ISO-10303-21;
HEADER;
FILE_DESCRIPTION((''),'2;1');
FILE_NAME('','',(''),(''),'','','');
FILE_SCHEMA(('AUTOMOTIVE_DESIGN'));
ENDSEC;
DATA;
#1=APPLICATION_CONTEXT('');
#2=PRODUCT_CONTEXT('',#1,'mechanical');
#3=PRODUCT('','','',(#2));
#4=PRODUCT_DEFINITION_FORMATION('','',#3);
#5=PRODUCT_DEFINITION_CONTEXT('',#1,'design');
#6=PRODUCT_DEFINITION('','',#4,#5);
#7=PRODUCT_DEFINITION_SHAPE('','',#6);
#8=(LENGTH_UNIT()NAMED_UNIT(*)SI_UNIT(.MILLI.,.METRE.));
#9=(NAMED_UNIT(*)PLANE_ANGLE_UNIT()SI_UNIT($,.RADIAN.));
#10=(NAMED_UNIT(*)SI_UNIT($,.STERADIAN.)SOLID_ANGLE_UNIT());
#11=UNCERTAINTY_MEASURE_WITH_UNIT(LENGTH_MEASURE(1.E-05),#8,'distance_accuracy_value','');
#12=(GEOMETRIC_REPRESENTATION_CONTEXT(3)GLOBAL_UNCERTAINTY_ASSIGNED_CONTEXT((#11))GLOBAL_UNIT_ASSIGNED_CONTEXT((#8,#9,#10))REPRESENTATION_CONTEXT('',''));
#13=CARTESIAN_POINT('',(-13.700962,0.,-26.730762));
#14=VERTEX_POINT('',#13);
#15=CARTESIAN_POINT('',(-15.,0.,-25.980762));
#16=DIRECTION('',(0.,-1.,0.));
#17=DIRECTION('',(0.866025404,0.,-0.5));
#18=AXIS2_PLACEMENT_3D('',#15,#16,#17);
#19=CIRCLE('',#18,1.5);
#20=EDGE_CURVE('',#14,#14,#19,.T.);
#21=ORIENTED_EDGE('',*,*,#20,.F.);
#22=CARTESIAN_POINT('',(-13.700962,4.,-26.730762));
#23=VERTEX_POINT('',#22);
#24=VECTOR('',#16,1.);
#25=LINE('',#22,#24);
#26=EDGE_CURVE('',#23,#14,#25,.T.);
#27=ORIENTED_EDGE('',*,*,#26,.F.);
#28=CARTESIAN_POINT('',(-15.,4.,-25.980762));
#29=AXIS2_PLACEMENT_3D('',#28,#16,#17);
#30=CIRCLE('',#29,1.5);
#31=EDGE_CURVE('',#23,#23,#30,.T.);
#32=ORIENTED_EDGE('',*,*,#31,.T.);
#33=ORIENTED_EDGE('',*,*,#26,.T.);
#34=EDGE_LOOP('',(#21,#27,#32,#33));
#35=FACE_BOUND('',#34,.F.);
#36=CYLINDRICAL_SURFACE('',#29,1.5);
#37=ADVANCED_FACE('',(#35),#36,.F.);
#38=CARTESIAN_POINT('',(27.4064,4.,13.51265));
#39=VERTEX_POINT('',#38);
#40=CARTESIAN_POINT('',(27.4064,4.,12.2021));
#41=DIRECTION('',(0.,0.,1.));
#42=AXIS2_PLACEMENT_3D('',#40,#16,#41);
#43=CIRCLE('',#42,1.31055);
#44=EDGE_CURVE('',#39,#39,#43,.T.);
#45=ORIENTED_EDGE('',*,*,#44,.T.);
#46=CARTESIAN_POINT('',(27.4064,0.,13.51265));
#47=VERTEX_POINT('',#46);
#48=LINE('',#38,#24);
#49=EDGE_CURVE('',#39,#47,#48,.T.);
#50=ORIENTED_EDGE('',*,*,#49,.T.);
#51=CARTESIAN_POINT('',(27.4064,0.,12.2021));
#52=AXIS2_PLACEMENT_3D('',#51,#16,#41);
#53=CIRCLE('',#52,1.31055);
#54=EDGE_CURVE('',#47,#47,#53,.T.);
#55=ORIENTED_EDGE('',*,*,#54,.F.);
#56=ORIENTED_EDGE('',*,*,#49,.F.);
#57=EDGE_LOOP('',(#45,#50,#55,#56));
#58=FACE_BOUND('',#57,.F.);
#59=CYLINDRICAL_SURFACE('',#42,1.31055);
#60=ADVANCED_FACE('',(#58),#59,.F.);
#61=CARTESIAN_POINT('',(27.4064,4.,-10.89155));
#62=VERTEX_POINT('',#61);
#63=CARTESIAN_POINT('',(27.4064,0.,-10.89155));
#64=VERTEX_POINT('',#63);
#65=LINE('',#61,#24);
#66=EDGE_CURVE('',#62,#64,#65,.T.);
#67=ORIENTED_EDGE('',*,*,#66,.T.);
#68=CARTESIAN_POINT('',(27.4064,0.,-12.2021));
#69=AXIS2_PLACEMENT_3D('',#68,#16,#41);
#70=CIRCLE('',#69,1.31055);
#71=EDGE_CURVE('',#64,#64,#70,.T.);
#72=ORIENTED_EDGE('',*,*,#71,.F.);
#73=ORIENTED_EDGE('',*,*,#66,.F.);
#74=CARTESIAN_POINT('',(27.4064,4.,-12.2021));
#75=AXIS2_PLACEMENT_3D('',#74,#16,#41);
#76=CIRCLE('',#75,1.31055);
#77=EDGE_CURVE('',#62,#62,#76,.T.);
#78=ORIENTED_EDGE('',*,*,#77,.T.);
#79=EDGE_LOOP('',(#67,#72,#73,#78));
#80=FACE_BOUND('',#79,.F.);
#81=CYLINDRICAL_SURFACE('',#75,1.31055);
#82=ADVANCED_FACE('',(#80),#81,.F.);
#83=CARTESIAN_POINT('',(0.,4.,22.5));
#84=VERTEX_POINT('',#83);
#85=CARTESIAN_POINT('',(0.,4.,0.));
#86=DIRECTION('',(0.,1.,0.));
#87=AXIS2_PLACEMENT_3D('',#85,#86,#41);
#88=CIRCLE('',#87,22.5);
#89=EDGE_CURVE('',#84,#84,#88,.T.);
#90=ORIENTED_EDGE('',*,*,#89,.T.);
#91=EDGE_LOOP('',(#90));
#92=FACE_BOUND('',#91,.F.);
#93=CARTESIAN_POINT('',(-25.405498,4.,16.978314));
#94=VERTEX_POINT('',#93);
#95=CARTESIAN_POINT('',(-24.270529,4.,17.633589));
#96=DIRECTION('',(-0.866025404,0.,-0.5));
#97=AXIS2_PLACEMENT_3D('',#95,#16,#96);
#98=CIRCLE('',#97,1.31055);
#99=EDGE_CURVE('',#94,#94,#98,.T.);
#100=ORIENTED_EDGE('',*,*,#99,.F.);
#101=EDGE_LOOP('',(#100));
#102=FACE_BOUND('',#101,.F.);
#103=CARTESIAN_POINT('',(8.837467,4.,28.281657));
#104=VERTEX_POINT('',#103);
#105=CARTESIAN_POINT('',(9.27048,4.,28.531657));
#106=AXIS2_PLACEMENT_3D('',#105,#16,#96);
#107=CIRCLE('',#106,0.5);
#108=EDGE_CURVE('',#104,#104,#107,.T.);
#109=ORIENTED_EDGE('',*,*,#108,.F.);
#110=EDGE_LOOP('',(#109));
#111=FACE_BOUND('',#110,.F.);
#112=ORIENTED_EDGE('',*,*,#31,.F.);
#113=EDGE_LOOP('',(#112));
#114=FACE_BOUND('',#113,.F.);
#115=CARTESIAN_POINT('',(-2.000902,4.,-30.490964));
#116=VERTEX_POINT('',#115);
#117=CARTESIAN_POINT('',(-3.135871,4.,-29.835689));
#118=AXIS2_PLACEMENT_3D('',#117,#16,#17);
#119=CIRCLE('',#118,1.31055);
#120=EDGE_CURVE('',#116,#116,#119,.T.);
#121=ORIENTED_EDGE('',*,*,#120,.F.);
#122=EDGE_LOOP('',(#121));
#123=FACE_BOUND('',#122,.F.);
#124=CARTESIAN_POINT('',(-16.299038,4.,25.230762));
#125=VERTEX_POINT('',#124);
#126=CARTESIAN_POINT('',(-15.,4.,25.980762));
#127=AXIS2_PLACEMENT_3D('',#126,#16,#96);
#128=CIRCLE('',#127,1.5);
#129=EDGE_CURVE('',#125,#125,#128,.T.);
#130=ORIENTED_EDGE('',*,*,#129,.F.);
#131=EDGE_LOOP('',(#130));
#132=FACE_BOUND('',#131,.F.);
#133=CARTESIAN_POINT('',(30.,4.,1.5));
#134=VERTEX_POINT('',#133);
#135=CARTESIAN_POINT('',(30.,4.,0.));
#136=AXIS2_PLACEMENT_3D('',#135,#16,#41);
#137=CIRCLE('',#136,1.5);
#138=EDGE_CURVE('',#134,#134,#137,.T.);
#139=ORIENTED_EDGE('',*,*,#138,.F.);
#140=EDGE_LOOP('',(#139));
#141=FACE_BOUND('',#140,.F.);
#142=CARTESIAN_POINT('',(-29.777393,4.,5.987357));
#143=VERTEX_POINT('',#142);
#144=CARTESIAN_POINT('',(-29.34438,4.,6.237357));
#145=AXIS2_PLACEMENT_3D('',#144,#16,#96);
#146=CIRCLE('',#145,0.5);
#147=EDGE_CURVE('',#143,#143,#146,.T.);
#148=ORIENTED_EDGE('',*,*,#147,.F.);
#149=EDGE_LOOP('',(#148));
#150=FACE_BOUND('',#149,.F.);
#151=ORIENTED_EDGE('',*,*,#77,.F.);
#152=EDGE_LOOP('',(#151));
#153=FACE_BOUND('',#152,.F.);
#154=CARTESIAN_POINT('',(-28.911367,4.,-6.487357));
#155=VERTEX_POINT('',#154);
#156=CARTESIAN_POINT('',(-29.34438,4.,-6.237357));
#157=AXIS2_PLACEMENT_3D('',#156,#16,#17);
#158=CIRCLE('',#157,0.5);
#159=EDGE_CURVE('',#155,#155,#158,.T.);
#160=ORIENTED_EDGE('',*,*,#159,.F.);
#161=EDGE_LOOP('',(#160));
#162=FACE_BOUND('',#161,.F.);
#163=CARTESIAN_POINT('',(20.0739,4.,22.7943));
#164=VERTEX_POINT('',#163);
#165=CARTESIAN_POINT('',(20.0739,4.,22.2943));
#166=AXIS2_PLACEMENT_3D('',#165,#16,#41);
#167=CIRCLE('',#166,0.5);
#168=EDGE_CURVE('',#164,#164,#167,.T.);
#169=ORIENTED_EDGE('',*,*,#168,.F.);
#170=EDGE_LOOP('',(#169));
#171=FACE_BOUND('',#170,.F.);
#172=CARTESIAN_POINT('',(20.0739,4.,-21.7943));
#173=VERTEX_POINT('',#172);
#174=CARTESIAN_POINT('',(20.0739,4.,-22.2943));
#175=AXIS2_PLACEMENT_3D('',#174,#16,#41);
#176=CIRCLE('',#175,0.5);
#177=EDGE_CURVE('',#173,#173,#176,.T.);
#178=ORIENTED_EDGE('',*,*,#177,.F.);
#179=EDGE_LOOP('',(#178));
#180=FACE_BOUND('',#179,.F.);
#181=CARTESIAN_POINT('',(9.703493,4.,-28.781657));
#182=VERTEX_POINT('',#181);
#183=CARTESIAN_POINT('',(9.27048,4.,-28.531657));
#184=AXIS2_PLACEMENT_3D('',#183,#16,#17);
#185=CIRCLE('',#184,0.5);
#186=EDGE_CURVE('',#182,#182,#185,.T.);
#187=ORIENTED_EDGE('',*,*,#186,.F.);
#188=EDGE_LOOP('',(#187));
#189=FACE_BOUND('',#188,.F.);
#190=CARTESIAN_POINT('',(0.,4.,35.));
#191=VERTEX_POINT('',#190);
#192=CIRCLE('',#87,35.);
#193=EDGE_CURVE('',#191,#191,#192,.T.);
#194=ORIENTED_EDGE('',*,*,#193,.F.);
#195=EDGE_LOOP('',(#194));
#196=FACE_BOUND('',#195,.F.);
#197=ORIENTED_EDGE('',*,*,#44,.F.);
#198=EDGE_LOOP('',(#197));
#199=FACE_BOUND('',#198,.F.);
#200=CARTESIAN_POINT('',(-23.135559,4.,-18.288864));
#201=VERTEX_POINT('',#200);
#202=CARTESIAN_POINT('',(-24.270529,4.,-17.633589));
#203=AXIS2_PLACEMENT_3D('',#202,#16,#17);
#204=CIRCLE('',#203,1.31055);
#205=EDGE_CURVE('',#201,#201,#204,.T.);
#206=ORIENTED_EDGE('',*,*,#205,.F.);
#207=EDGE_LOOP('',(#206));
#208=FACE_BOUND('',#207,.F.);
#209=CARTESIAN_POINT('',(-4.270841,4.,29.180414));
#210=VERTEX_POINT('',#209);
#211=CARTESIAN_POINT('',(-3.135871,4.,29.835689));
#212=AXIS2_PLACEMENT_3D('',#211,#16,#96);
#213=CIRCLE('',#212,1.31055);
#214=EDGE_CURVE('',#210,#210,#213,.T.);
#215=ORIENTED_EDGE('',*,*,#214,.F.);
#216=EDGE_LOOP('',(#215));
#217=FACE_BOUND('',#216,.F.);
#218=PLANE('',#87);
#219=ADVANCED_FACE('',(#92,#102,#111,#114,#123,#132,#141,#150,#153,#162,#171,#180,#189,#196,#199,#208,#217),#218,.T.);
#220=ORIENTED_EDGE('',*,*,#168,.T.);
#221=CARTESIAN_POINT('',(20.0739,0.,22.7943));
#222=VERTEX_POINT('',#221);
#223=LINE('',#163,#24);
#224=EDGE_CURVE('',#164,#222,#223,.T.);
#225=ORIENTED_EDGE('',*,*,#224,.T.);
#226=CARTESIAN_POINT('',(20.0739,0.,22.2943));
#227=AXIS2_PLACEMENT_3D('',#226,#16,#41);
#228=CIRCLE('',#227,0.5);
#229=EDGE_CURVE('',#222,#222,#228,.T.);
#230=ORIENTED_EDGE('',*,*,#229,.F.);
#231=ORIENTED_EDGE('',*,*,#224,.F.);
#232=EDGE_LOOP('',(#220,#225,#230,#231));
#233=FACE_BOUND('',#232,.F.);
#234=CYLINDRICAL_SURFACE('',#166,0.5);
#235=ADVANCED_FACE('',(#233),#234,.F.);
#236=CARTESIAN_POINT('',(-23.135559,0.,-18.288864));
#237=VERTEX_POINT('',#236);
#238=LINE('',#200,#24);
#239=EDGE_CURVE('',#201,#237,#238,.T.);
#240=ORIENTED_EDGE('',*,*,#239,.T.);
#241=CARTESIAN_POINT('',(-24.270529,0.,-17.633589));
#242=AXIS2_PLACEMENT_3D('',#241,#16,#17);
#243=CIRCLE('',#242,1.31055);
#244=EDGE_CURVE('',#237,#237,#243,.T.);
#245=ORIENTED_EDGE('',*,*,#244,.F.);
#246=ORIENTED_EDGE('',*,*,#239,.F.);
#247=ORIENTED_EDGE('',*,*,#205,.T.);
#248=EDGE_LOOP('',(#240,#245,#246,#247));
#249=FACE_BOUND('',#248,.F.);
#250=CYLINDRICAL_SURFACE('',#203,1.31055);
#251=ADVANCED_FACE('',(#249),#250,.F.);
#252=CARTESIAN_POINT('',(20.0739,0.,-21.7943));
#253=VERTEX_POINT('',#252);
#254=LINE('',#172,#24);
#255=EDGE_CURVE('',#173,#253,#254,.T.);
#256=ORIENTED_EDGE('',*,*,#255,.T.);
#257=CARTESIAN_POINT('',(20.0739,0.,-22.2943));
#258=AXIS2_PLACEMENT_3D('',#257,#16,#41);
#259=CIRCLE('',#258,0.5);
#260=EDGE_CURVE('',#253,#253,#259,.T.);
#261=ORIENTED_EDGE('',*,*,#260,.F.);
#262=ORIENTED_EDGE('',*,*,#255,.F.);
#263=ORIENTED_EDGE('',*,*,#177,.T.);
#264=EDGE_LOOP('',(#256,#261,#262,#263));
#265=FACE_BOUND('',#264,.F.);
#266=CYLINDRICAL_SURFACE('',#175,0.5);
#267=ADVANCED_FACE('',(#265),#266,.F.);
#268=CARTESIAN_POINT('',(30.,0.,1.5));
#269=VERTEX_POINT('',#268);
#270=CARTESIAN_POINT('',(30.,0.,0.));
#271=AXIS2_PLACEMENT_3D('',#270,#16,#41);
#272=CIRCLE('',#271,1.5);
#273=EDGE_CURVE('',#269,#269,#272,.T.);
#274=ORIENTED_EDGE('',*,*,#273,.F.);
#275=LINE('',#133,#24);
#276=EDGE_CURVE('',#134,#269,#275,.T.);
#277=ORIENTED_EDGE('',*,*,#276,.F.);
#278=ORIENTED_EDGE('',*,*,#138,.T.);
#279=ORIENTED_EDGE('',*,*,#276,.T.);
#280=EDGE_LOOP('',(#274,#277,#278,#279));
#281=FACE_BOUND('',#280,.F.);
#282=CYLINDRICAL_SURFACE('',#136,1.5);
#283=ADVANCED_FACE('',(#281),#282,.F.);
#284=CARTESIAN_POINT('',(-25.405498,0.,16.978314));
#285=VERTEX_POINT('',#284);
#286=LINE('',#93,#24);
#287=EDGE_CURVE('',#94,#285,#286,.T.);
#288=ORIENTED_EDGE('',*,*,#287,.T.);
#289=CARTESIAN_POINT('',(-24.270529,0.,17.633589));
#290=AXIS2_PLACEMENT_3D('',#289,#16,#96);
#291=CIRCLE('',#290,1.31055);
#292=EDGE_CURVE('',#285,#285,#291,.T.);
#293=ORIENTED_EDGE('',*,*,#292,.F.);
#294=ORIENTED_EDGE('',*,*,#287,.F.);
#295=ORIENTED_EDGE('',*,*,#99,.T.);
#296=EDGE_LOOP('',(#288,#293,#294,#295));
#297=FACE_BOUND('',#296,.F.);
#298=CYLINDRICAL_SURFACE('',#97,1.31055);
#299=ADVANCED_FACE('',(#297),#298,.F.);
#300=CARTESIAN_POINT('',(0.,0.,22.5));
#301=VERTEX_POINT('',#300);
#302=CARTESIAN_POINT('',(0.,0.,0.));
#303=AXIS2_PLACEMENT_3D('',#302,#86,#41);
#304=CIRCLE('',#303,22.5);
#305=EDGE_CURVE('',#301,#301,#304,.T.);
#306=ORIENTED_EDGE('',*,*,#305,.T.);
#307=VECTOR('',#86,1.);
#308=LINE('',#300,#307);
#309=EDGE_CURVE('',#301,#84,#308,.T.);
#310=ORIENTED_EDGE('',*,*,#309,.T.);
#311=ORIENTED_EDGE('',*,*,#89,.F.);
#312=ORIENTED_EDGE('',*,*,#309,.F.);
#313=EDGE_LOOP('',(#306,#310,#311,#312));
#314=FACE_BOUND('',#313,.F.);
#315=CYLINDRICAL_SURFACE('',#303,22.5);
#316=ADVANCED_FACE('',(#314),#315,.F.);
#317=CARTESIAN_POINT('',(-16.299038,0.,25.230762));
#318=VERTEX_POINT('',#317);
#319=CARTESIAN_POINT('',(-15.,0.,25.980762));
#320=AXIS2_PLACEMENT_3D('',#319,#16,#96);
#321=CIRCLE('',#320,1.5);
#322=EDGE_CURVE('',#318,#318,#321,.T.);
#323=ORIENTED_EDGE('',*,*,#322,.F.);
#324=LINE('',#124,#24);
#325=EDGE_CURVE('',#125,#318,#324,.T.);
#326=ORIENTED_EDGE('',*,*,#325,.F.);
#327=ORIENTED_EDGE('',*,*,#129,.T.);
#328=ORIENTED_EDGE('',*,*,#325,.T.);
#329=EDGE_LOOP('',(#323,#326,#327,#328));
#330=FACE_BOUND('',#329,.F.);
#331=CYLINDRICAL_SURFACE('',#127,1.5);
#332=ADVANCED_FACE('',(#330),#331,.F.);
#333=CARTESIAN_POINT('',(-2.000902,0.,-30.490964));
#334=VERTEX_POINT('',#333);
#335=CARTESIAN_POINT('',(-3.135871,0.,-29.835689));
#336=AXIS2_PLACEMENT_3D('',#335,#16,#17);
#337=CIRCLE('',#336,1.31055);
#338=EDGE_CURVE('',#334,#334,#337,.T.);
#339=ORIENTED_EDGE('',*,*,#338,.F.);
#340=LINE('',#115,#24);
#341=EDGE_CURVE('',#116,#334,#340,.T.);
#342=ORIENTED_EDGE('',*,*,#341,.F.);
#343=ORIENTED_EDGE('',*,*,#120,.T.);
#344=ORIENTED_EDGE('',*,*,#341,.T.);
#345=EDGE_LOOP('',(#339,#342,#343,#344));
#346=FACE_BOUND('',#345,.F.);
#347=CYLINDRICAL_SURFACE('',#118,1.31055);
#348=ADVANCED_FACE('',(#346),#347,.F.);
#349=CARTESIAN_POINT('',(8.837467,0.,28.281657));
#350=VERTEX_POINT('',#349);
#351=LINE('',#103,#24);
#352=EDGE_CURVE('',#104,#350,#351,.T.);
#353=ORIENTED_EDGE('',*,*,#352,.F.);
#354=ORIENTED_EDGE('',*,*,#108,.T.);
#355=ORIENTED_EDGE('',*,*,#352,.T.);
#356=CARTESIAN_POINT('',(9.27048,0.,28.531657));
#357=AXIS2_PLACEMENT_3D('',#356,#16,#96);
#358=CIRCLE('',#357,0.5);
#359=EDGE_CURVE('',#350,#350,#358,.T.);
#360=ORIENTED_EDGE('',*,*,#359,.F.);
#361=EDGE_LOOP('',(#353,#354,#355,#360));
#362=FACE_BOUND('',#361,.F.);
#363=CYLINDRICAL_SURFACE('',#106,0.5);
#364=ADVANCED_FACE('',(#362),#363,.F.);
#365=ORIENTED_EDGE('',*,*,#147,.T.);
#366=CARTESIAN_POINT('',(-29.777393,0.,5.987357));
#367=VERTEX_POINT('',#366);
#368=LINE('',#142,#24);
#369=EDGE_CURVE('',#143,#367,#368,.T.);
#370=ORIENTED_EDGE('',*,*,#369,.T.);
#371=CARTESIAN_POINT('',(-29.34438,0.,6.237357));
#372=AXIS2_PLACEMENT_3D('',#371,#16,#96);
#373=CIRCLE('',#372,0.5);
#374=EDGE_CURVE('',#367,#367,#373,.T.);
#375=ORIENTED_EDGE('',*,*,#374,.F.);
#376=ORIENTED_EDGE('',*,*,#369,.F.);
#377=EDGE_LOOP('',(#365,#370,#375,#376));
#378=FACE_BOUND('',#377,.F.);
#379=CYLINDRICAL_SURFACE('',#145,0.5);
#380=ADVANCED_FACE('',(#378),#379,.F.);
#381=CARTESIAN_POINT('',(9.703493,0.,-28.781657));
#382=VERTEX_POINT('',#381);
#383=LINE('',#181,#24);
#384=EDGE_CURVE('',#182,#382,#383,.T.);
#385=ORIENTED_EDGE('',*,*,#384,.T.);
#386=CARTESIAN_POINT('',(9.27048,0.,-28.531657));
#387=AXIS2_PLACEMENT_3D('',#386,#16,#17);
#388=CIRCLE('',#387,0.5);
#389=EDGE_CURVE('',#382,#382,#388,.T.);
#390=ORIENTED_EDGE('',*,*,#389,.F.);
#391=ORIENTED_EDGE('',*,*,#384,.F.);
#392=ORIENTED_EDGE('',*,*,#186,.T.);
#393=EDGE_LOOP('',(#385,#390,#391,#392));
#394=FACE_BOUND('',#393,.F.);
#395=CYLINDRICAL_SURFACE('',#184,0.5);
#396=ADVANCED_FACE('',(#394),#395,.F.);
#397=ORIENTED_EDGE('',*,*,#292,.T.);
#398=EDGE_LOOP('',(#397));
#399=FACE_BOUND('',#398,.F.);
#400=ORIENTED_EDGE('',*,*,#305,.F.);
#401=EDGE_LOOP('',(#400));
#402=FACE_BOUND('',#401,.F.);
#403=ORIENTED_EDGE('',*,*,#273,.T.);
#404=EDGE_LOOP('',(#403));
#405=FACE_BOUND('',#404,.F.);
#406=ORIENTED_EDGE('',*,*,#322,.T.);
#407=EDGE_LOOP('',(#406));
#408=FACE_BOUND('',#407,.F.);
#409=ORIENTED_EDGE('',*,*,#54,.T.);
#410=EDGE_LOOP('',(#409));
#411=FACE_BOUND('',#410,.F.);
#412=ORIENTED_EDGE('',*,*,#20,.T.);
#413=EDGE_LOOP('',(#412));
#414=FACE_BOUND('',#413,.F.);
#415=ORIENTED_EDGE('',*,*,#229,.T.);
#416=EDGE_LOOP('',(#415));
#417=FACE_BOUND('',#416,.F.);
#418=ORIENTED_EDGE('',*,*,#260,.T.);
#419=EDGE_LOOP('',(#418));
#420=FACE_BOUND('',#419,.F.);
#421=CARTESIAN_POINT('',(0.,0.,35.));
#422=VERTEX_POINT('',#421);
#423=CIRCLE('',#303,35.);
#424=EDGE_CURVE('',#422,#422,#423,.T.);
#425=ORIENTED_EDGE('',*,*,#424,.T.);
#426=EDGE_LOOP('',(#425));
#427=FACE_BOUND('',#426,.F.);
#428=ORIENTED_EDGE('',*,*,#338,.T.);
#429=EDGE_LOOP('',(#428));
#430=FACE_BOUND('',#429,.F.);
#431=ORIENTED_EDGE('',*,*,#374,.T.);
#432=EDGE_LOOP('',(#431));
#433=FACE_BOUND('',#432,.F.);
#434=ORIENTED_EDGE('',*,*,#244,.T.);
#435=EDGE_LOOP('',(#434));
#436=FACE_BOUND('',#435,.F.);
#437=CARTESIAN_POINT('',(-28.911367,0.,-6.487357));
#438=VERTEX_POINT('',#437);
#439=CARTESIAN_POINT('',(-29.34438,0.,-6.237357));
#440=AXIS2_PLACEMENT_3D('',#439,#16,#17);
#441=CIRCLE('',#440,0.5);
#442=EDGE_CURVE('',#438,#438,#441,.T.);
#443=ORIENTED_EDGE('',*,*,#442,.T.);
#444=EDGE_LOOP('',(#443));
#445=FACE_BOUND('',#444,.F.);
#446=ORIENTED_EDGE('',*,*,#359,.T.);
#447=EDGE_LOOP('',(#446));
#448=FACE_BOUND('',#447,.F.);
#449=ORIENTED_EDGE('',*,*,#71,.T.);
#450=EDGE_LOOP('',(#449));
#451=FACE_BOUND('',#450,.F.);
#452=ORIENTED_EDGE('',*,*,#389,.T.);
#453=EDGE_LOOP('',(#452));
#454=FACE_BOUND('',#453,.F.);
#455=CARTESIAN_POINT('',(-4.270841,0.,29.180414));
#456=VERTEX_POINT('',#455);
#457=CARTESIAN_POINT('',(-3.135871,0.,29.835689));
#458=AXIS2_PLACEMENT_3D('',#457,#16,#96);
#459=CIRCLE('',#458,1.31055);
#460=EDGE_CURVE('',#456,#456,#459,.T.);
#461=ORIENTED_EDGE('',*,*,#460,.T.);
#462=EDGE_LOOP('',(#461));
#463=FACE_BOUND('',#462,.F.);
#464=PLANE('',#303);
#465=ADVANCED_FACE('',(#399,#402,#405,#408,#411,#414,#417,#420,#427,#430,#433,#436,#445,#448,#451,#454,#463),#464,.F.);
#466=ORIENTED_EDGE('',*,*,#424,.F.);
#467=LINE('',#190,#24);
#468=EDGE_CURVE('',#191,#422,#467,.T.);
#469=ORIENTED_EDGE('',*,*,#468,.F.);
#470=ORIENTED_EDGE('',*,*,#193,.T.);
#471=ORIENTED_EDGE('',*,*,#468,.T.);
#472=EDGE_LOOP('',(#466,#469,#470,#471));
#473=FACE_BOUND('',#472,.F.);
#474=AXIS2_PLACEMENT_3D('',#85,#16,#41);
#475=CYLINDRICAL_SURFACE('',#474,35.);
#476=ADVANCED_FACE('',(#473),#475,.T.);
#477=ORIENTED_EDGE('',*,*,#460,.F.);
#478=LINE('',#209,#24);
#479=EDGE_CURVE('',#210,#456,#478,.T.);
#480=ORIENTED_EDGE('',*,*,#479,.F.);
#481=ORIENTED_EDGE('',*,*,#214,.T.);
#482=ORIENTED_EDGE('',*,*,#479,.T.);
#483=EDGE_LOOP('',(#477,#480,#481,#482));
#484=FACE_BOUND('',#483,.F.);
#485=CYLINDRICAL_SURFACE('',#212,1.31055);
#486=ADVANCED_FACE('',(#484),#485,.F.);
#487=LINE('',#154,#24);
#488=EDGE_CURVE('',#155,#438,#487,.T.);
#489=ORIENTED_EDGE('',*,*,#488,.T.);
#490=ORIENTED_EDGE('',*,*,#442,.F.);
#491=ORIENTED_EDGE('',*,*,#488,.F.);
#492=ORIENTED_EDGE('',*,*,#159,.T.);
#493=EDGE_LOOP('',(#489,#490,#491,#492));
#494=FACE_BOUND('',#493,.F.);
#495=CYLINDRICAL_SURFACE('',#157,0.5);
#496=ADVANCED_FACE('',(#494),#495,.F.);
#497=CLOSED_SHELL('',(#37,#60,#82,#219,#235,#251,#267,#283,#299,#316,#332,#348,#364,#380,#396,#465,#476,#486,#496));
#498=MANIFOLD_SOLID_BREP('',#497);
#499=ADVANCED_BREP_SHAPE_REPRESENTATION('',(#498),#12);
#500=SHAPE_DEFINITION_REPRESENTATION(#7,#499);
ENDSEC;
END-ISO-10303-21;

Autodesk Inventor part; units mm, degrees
ref_plane "YZ Plane" through (0, 0, 0) normal (1, 0, 0) x (0, 1, 0)
ref_plane "XZ Plane" through (0, 0, 0) normal (0, 1, 0) x (-1, 0, 0)
ref_plane "XY Plane" through (0, 0, 0) normal (0, 0, 1) x (1, 0, 0)
sketch "Sketch1" plane through (0, 0, 0) normal (1, 0, 0) x (0, 1, 0)
  line L0 (0, 22.5) -> (4, 22.5)
  line L1 (4, 22.5) -> (4, 35)
  line L2 (4, 35) -> (0, 35)
  line L3 (0, 35) -> (0, 22.5)
  line L4 (-0.8, 0) -> (4.8, 0) projected
  point P0 (0, 0)
  dimension "d0" = 22.5
  dimension "d1" = 35
  dimension "d2" = 4
revolve "Revolution1" add sketch "Sketch1" angle 360 about axis through (0, -10, 0) along (0, 1, 0)
sketch "Sketch2" plane through (0, 4, 0) normal (0, 1, 0) x (1, 0, 0)
  point P0 (0, 0)
  point P1 (30, 0)
  dimension "d5" = 30
hole "Hole1" at (30, 4, 0) direction (0, -1, 0) diameter 3 end through all
pattern_circular "Circular Pattern1" count 3 over 360 about axis through (0, 2, 0) along (0, 1, 0) of "Hole1"
sketch "Sketch3" plane through (0, 4, 0) normal (0, 1, 0) x (1, 0, 0)
  circle A0 centre (0, 0) radius 30 construction
  circle A1 centre (30, 0) radius 1.5 projected
  point P0 (27.4064, 12.2021)
  point P1 (27.4064, -12.2021)
  dimension "d16" = 60
  dimension "d18" = 24
  dimension "d20" = 24
hole "Hole2" at (27.4064, 4, -12.2021) at (27.4064, 4, 12.2021) direction (0, -1, 0) diameter 2.6211 end through all thread size "M3x0.35" class "6H" standard "ANSI Metric M Profile"
pattern_circular "Circular Pattern2" count 3 over 360 about axis through (0, 2, 0) along (0, 1, 0) of "Hole2"
sketch "Sketch4" plane through (0, 4, 0) normal (0, 1, 0) x (1, 0, 0)
  circle A0 centre (0, 0) radius 30 construction
  circle A1 centre (27.4064, -12.2021) radius 1.3106 projected
  circle A2 centre (27.4064, 12.2021) radius 1.3106 projected
  point P0 (20.0739, -22.2943)
  point P1 (20.0739, 22.2943)
  dimension "d31" = 60
  dimension "d34" = 24
  dimension "d35" = 24
hole "Hole3" at (20.0739, 4, -22.2943) at (20.0739, 4, 22.2943) direction (0, -1, 0) diameter 1 end through all
pattern_circular "Circular Pattern3" count 3 over 360 about axis through (0, 2, 0) along (0, 1, 0) of "Hole3"
properties part number "CentralRing-2023-1" material "Copper"
